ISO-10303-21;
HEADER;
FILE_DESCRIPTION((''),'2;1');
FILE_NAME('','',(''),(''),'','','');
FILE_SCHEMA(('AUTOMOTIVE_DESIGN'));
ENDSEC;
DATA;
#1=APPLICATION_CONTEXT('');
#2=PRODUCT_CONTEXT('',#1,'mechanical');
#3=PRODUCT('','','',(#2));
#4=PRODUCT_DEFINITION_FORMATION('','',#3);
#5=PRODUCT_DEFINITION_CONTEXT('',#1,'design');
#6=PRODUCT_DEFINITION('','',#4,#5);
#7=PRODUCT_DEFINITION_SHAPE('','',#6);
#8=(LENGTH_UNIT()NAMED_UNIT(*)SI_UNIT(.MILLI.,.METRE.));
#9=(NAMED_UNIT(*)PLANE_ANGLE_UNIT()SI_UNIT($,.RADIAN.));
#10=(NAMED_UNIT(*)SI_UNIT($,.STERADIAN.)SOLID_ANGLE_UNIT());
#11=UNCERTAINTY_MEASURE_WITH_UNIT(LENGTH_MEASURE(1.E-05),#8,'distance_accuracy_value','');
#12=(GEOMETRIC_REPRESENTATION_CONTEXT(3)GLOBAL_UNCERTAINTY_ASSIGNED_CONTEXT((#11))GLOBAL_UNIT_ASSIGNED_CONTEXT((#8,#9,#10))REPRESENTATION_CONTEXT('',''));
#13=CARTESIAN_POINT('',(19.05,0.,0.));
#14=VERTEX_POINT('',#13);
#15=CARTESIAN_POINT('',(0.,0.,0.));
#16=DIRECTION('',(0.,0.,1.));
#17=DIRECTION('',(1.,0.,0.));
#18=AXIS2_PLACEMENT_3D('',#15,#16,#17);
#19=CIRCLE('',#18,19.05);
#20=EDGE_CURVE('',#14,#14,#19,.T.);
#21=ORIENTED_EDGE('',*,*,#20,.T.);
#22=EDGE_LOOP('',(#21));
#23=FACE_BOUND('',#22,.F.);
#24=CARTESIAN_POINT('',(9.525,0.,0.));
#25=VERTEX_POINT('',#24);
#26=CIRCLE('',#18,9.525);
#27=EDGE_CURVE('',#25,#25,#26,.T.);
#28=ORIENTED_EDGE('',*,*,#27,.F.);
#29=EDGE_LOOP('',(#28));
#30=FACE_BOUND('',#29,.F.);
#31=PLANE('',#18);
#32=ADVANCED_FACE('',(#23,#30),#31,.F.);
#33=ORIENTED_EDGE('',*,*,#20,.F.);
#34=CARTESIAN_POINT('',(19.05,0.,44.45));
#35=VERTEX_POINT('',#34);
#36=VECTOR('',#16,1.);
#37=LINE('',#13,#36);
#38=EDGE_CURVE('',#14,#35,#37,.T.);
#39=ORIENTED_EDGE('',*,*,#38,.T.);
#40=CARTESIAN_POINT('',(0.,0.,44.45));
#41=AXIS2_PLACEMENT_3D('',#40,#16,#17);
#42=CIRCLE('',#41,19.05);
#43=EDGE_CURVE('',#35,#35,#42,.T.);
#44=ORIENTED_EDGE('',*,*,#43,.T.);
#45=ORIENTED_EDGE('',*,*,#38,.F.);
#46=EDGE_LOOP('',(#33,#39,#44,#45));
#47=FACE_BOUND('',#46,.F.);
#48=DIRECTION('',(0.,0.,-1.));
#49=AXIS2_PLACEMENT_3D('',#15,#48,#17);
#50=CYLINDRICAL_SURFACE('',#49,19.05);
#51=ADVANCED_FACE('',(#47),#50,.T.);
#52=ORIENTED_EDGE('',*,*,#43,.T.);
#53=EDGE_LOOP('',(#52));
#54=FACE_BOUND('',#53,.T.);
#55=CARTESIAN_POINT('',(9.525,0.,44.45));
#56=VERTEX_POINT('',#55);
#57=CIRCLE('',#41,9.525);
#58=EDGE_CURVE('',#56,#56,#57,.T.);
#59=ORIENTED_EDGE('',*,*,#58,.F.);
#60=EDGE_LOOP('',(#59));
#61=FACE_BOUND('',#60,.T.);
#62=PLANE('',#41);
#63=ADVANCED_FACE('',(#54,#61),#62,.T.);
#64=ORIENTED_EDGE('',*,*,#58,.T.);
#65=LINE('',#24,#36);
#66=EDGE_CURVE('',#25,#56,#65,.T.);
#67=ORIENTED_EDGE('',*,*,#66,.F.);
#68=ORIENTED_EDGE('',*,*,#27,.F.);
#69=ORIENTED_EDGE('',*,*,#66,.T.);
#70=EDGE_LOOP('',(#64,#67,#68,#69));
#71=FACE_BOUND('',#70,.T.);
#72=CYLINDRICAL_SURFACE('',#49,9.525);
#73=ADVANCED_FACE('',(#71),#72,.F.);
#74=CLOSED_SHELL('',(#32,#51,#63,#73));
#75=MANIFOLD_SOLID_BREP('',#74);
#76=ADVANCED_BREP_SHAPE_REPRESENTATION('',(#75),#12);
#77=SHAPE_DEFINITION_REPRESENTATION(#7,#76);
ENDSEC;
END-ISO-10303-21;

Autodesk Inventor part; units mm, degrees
ref_plane "YZ Plane" through (0, 0, 0) normal (1, 0, 0) x (0, 1, 0)
ref_plane "XZ Plane" through (0, 0, 0) normal (0, 1, 0) x (-1, 0, 0)
ref_plane "XY Plane" through (0, 0, 0) normal (0, 0, 1) x (1, 0, 0)
sketch "Sketch1" plane through (0, 0, 0) normal (0, 0, 1) x (1, 0, 0)
  circle A0 centre (0, 0) radius 9.525
  circle A1 centre (0, 0) radius 19.05
  dimension "d0" = 9.525
  dimension "d1" = 38.1
extrude "Extrusion1" add sketch "Sketch1" along normal blind 44.45
properties part number "Deck_Spacer"
